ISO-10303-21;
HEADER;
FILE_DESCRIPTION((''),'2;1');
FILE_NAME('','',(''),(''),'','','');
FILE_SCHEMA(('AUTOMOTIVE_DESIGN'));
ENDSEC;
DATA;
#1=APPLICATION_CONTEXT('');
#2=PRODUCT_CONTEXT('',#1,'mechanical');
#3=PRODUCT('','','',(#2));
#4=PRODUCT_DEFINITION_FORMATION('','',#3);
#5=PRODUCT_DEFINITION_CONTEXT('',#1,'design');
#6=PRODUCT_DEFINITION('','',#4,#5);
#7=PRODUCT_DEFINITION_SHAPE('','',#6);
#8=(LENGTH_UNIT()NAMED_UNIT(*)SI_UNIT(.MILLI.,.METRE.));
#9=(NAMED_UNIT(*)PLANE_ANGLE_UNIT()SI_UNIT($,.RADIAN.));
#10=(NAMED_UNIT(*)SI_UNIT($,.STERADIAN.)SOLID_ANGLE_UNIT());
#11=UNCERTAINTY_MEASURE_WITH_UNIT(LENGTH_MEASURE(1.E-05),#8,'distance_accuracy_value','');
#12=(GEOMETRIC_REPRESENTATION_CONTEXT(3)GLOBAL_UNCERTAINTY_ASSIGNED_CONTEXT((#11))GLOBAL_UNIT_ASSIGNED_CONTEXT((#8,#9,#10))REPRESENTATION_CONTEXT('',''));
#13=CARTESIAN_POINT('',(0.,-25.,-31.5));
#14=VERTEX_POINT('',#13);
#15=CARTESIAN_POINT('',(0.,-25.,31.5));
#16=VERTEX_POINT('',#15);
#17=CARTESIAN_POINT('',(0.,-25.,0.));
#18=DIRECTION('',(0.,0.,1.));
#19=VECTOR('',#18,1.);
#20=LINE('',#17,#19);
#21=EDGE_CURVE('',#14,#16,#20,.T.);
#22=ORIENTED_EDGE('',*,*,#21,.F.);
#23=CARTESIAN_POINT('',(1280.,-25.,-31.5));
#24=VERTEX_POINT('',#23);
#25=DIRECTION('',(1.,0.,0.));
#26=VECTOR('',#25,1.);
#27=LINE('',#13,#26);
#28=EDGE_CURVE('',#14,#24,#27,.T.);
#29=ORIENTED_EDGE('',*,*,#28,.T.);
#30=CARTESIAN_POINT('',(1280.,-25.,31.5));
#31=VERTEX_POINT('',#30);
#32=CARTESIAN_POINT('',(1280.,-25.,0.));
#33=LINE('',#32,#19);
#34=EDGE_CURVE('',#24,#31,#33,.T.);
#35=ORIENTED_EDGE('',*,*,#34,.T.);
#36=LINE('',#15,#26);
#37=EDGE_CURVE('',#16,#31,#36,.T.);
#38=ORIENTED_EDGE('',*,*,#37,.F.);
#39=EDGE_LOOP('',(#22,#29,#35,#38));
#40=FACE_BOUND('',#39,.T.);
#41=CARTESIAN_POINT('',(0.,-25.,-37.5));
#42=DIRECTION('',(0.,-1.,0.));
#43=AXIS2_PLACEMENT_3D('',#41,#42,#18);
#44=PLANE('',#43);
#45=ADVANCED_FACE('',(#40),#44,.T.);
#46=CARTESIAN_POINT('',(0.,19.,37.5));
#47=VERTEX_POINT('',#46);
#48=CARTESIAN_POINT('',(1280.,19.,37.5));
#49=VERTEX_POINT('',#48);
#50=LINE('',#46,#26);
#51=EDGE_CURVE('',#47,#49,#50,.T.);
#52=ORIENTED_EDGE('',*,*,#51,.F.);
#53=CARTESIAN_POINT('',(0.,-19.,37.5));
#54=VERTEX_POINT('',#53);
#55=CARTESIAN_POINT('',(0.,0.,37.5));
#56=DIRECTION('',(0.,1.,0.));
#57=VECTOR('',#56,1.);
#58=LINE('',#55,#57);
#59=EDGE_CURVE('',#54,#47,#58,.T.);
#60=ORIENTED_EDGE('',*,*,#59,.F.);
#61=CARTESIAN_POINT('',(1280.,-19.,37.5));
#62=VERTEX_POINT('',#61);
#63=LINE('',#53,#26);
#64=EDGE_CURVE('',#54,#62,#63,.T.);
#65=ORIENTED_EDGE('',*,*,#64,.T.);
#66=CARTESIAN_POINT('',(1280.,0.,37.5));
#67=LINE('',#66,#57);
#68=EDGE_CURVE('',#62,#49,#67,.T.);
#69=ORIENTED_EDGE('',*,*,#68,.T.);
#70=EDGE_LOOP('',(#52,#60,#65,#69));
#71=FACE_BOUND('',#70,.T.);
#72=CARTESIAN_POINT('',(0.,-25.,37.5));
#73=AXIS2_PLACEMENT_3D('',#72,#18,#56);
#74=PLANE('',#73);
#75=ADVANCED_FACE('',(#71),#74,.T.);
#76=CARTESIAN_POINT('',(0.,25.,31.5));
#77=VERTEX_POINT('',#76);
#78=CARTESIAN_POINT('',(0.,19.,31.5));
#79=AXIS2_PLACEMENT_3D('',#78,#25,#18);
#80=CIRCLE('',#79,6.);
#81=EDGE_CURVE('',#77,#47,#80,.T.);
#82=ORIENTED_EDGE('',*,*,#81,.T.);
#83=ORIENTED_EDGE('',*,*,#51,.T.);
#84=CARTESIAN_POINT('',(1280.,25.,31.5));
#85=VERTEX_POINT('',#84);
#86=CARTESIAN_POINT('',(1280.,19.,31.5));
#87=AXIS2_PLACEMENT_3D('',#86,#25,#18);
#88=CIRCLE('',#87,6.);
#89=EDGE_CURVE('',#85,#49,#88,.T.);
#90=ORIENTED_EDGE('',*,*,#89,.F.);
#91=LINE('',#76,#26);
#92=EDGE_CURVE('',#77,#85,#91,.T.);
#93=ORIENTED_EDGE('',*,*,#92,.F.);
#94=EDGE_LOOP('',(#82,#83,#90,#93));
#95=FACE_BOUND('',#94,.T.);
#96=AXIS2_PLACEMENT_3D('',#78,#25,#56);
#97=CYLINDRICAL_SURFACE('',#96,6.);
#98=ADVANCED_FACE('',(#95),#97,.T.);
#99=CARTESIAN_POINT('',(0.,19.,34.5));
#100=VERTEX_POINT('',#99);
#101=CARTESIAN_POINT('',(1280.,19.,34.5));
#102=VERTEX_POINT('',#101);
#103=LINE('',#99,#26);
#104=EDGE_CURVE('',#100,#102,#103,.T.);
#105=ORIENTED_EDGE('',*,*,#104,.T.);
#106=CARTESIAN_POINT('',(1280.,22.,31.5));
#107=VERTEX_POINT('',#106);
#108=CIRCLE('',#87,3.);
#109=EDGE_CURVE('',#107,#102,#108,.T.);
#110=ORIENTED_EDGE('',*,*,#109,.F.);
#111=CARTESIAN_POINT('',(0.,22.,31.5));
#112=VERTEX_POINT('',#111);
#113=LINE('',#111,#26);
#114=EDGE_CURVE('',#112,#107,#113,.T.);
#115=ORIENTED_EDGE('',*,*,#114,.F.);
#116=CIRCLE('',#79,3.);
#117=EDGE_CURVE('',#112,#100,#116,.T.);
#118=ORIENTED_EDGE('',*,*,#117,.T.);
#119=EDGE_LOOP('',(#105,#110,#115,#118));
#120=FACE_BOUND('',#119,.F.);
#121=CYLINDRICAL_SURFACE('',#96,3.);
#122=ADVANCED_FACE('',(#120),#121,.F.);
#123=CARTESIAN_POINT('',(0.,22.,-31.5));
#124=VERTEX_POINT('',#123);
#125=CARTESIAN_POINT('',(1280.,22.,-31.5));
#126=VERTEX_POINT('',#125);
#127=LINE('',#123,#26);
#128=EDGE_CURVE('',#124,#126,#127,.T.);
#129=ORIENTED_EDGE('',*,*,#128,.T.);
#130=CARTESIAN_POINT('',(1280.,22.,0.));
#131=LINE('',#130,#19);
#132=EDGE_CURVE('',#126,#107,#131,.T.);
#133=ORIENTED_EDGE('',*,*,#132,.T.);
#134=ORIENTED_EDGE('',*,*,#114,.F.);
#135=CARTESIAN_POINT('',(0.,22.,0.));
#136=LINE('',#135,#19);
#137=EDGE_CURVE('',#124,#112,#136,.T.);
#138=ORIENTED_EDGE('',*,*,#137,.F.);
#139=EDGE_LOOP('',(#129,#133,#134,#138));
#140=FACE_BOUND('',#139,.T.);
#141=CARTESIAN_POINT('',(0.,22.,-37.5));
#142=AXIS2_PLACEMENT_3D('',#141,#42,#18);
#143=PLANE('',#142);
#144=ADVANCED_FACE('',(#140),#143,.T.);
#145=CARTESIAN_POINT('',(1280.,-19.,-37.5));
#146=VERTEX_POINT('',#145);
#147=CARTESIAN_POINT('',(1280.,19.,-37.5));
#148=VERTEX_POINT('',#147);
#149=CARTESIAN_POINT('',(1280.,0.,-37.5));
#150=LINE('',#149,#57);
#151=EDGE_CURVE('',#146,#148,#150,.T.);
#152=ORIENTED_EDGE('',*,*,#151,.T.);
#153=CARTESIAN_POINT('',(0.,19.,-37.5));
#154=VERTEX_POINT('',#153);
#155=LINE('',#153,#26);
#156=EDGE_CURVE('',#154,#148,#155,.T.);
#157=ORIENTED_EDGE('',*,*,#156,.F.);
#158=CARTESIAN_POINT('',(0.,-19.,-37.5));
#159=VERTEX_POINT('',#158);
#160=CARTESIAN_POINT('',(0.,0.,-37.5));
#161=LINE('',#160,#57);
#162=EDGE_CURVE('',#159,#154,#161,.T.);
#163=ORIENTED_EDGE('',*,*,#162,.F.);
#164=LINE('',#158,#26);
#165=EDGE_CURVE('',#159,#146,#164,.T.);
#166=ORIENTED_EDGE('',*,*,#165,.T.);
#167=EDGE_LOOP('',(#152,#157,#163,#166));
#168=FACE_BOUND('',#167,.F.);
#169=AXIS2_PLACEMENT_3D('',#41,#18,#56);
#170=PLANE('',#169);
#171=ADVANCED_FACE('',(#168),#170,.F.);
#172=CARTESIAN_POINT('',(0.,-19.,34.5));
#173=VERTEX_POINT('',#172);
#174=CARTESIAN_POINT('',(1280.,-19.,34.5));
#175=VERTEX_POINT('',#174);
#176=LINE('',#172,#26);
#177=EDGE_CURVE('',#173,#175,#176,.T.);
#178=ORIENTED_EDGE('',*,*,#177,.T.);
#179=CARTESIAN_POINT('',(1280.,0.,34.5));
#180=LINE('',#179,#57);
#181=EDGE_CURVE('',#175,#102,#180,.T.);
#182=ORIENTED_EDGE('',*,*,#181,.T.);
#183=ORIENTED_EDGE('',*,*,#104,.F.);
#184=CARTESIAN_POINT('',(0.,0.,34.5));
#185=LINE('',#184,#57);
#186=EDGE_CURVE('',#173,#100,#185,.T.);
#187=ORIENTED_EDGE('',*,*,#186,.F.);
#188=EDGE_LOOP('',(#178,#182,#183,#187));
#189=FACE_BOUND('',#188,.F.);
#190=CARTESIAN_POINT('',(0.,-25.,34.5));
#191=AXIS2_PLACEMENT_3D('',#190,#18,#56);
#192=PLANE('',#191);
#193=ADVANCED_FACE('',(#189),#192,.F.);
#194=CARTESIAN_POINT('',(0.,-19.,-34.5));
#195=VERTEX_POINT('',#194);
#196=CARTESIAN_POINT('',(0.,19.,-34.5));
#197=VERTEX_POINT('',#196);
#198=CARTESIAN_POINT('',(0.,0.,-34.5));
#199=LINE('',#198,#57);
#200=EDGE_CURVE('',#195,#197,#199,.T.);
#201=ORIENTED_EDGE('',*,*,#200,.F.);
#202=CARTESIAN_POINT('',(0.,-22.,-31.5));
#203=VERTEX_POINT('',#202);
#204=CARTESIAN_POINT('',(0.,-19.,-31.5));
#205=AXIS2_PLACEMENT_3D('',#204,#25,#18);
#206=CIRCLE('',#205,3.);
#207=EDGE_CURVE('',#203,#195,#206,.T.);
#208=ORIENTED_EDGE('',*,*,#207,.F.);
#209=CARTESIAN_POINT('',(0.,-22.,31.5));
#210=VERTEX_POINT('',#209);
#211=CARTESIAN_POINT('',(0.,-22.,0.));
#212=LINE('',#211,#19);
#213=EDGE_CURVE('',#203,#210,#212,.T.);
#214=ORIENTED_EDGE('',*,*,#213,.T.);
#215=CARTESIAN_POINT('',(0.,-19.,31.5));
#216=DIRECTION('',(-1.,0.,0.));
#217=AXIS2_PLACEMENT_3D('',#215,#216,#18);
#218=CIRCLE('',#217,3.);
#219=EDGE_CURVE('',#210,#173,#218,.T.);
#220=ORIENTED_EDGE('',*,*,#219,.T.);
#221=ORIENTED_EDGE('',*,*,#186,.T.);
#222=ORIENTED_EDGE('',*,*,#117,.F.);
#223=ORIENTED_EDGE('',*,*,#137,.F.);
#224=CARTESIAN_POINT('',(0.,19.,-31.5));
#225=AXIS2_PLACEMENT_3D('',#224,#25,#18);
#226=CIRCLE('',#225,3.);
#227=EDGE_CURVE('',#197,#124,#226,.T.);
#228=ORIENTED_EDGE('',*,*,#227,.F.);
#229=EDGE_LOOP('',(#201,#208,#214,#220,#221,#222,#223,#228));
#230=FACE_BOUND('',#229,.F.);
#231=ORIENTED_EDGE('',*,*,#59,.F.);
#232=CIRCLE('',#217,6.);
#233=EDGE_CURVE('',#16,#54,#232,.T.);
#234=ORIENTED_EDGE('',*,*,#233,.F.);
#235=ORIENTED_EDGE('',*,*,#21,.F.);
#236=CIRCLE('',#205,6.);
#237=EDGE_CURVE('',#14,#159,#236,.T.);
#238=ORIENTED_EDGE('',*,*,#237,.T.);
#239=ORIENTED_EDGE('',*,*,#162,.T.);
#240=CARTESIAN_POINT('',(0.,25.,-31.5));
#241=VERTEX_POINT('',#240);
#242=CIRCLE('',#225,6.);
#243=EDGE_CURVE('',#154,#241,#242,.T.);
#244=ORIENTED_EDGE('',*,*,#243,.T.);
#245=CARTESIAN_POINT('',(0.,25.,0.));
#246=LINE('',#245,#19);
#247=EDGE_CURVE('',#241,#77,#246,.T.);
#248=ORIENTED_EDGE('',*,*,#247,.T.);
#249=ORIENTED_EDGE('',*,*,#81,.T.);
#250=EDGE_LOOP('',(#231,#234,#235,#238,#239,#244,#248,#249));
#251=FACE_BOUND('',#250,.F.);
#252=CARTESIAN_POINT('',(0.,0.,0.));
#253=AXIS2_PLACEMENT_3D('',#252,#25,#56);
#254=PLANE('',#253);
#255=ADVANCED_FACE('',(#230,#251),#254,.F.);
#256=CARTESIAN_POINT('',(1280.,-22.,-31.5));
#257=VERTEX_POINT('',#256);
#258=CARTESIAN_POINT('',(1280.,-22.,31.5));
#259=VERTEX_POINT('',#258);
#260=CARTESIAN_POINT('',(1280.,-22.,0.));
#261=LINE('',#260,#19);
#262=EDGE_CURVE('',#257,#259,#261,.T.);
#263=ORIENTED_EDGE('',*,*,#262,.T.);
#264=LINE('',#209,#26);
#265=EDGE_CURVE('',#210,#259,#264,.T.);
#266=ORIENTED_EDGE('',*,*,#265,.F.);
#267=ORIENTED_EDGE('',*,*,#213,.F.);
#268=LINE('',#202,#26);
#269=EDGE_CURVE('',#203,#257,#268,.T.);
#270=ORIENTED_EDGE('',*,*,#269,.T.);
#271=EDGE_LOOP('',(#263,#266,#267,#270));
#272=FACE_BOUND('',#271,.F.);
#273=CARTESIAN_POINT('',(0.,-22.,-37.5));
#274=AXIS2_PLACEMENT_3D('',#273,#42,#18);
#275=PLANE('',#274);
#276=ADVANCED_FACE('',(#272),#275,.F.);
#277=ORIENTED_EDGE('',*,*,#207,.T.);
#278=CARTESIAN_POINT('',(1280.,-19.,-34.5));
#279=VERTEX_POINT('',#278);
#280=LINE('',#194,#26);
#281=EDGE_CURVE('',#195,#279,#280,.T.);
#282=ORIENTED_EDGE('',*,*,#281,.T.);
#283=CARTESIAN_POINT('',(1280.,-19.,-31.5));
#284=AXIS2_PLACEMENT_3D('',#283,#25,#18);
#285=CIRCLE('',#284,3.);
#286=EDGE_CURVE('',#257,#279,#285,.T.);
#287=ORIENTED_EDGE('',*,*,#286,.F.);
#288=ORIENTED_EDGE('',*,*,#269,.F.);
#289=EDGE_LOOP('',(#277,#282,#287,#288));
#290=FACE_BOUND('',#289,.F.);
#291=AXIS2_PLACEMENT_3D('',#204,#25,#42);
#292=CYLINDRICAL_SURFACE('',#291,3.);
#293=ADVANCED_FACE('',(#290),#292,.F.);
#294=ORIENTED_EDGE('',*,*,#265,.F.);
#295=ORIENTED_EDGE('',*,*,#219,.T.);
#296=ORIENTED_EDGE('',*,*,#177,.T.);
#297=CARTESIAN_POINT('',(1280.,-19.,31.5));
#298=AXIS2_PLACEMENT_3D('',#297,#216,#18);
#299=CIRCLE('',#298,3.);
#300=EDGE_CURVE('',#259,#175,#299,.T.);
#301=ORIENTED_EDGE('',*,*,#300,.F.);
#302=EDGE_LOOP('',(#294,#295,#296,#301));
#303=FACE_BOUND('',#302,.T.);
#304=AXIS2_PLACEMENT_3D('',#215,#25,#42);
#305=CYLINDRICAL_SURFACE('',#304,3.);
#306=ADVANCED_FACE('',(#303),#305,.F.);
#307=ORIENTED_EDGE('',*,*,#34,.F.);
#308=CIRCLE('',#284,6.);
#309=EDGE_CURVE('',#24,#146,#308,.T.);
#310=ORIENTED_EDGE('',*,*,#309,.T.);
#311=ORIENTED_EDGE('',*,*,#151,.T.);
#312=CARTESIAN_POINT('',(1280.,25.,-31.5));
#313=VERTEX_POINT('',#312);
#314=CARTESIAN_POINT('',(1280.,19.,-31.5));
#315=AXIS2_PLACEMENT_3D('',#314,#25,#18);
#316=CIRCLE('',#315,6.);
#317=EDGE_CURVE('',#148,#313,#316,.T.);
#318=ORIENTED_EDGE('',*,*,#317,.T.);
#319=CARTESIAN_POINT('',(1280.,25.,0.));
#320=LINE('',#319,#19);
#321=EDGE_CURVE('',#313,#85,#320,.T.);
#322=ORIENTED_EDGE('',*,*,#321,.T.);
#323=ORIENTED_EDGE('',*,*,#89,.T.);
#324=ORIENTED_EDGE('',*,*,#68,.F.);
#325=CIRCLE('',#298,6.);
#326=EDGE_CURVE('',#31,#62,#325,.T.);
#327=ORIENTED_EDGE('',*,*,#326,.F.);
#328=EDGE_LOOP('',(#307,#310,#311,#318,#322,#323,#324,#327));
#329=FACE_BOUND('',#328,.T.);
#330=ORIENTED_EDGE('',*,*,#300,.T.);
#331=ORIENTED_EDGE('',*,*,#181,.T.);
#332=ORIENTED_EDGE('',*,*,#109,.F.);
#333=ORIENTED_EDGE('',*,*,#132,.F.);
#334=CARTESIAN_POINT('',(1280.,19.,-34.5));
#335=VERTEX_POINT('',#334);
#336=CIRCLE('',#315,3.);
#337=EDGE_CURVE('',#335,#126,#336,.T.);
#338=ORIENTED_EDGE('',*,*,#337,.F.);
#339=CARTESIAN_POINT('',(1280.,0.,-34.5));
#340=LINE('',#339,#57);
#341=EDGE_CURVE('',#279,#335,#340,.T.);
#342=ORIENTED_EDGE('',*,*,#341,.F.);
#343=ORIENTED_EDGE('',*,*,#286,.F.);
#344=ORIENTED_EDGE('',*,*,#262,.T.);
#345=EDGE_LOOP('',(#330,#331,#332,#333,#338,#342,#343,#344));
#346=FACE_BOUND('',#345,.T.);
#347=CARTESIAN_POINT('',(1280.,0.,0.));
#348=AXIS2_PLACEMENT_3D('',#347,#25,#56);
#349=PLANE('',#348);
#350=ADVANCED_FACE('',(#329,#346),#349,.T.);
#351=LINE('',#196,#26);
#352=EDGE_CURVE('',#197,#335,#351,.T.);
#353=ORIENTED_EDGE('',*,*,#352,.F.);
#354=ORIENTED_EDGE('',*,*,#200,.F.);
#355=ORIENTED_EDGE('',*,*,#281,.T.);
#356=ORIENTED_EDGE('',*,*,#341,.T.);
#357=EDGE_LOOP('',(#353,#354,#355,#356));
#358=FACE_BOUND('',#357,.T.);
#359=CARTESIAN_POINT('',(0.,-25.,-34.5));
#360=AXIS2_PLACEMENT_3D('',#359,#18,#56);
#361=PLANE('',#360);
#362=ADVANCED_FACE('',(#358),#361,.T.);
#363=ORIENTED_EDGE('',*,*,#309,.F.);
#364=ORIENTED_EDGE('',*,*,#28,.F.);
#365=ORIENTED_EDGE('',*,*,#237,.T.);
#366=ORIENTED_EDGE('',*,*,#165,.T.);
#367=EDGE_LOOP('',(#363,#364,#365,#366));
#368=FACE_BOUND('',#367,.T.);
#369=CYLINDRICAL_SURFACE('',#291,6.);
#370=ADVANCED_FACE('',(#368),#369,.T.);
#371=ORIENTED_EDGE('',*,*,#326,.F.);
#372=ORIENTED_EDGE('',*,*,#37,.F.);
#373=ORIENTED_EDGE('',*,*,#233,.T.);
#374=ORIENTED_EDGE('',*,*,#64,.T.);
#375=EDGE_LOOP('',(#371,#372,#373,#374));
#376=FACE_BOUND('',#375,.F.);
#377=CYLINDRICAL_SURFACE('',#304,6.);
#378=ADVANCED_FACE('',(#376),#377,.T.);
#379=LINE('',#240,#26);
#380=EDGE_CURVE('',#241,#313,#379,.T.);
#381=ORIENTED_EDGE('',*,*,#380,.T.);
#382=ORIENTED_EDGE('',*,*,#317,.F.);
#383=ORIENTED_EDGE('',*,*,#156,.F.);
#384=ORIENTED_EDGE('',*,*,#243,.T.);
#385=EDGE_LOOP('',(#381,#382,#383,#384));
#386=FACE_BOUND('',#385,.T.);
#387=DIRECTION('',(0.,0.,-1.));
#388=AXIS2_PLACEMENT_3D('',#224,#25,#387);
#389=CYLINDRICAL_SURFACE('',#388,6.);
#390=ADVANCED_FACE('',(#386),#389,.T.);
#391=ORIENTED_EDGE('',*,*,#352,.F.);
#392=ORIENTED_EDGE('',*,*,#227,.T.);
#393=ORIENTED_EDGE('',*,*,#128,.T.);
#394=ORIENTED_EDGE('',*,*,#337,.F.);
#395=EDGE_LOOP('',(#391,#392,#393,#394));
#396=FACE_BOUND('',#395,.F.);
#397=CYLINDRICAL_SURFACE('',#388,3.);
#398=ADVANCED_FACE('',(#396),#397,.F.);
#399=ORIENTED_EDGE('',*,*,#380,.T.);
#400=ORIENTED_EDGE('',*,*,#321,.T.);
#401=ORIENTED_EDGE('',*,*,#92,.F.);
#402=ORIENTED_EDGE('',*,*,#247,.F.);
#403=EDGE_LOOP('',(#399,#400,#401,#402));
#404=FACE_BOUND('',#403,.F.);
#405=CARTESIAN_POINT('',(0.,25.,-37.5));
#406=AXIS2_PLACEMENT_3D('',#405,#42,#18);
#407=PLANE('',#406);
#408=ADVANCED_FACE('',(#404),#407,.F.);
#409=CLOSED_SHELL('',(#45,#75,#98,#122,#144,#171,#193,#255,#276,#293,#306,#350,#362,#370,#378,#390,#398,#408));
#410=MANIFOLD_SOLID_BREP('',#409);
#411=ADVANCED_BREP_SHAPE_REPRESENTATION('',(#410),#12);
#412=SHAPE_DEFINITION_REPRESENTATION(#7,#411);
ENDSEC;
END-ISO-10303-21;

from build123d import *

# Parameters (mm, degrees)
F0_W     = 50
F0_H     = 75
F1_DEPTH = 1280
F2_R     = 6
F3_T     = -3


with BuildPart() as f1:
    # F0 (on Right) → F1 (new body)
    with BuildSketch(Plane.YZ):
        Rectangle(F0_W, F0_H)
    extrude(amount=F1_DEPTH)

    # F2
    f2_edges = [f1.edges().sort_by_distance(p)[0] for p in [
        (640, 25, 37.5),
        (640, -25, 37.5),
        (640, 25, -37.5),
        (640, -25, -37.5),
    ]]
    fillet(f2_edges, radius=F2_R)

    # F3
    f3_openings = [f1.faces().sort_by_distance(p)[0] for p in [
        (0, 0, 0),
        (1280, 0, 0),
    ]]
    offset(amount=F3_T, openings=f3_openings)


solid = f1.part
